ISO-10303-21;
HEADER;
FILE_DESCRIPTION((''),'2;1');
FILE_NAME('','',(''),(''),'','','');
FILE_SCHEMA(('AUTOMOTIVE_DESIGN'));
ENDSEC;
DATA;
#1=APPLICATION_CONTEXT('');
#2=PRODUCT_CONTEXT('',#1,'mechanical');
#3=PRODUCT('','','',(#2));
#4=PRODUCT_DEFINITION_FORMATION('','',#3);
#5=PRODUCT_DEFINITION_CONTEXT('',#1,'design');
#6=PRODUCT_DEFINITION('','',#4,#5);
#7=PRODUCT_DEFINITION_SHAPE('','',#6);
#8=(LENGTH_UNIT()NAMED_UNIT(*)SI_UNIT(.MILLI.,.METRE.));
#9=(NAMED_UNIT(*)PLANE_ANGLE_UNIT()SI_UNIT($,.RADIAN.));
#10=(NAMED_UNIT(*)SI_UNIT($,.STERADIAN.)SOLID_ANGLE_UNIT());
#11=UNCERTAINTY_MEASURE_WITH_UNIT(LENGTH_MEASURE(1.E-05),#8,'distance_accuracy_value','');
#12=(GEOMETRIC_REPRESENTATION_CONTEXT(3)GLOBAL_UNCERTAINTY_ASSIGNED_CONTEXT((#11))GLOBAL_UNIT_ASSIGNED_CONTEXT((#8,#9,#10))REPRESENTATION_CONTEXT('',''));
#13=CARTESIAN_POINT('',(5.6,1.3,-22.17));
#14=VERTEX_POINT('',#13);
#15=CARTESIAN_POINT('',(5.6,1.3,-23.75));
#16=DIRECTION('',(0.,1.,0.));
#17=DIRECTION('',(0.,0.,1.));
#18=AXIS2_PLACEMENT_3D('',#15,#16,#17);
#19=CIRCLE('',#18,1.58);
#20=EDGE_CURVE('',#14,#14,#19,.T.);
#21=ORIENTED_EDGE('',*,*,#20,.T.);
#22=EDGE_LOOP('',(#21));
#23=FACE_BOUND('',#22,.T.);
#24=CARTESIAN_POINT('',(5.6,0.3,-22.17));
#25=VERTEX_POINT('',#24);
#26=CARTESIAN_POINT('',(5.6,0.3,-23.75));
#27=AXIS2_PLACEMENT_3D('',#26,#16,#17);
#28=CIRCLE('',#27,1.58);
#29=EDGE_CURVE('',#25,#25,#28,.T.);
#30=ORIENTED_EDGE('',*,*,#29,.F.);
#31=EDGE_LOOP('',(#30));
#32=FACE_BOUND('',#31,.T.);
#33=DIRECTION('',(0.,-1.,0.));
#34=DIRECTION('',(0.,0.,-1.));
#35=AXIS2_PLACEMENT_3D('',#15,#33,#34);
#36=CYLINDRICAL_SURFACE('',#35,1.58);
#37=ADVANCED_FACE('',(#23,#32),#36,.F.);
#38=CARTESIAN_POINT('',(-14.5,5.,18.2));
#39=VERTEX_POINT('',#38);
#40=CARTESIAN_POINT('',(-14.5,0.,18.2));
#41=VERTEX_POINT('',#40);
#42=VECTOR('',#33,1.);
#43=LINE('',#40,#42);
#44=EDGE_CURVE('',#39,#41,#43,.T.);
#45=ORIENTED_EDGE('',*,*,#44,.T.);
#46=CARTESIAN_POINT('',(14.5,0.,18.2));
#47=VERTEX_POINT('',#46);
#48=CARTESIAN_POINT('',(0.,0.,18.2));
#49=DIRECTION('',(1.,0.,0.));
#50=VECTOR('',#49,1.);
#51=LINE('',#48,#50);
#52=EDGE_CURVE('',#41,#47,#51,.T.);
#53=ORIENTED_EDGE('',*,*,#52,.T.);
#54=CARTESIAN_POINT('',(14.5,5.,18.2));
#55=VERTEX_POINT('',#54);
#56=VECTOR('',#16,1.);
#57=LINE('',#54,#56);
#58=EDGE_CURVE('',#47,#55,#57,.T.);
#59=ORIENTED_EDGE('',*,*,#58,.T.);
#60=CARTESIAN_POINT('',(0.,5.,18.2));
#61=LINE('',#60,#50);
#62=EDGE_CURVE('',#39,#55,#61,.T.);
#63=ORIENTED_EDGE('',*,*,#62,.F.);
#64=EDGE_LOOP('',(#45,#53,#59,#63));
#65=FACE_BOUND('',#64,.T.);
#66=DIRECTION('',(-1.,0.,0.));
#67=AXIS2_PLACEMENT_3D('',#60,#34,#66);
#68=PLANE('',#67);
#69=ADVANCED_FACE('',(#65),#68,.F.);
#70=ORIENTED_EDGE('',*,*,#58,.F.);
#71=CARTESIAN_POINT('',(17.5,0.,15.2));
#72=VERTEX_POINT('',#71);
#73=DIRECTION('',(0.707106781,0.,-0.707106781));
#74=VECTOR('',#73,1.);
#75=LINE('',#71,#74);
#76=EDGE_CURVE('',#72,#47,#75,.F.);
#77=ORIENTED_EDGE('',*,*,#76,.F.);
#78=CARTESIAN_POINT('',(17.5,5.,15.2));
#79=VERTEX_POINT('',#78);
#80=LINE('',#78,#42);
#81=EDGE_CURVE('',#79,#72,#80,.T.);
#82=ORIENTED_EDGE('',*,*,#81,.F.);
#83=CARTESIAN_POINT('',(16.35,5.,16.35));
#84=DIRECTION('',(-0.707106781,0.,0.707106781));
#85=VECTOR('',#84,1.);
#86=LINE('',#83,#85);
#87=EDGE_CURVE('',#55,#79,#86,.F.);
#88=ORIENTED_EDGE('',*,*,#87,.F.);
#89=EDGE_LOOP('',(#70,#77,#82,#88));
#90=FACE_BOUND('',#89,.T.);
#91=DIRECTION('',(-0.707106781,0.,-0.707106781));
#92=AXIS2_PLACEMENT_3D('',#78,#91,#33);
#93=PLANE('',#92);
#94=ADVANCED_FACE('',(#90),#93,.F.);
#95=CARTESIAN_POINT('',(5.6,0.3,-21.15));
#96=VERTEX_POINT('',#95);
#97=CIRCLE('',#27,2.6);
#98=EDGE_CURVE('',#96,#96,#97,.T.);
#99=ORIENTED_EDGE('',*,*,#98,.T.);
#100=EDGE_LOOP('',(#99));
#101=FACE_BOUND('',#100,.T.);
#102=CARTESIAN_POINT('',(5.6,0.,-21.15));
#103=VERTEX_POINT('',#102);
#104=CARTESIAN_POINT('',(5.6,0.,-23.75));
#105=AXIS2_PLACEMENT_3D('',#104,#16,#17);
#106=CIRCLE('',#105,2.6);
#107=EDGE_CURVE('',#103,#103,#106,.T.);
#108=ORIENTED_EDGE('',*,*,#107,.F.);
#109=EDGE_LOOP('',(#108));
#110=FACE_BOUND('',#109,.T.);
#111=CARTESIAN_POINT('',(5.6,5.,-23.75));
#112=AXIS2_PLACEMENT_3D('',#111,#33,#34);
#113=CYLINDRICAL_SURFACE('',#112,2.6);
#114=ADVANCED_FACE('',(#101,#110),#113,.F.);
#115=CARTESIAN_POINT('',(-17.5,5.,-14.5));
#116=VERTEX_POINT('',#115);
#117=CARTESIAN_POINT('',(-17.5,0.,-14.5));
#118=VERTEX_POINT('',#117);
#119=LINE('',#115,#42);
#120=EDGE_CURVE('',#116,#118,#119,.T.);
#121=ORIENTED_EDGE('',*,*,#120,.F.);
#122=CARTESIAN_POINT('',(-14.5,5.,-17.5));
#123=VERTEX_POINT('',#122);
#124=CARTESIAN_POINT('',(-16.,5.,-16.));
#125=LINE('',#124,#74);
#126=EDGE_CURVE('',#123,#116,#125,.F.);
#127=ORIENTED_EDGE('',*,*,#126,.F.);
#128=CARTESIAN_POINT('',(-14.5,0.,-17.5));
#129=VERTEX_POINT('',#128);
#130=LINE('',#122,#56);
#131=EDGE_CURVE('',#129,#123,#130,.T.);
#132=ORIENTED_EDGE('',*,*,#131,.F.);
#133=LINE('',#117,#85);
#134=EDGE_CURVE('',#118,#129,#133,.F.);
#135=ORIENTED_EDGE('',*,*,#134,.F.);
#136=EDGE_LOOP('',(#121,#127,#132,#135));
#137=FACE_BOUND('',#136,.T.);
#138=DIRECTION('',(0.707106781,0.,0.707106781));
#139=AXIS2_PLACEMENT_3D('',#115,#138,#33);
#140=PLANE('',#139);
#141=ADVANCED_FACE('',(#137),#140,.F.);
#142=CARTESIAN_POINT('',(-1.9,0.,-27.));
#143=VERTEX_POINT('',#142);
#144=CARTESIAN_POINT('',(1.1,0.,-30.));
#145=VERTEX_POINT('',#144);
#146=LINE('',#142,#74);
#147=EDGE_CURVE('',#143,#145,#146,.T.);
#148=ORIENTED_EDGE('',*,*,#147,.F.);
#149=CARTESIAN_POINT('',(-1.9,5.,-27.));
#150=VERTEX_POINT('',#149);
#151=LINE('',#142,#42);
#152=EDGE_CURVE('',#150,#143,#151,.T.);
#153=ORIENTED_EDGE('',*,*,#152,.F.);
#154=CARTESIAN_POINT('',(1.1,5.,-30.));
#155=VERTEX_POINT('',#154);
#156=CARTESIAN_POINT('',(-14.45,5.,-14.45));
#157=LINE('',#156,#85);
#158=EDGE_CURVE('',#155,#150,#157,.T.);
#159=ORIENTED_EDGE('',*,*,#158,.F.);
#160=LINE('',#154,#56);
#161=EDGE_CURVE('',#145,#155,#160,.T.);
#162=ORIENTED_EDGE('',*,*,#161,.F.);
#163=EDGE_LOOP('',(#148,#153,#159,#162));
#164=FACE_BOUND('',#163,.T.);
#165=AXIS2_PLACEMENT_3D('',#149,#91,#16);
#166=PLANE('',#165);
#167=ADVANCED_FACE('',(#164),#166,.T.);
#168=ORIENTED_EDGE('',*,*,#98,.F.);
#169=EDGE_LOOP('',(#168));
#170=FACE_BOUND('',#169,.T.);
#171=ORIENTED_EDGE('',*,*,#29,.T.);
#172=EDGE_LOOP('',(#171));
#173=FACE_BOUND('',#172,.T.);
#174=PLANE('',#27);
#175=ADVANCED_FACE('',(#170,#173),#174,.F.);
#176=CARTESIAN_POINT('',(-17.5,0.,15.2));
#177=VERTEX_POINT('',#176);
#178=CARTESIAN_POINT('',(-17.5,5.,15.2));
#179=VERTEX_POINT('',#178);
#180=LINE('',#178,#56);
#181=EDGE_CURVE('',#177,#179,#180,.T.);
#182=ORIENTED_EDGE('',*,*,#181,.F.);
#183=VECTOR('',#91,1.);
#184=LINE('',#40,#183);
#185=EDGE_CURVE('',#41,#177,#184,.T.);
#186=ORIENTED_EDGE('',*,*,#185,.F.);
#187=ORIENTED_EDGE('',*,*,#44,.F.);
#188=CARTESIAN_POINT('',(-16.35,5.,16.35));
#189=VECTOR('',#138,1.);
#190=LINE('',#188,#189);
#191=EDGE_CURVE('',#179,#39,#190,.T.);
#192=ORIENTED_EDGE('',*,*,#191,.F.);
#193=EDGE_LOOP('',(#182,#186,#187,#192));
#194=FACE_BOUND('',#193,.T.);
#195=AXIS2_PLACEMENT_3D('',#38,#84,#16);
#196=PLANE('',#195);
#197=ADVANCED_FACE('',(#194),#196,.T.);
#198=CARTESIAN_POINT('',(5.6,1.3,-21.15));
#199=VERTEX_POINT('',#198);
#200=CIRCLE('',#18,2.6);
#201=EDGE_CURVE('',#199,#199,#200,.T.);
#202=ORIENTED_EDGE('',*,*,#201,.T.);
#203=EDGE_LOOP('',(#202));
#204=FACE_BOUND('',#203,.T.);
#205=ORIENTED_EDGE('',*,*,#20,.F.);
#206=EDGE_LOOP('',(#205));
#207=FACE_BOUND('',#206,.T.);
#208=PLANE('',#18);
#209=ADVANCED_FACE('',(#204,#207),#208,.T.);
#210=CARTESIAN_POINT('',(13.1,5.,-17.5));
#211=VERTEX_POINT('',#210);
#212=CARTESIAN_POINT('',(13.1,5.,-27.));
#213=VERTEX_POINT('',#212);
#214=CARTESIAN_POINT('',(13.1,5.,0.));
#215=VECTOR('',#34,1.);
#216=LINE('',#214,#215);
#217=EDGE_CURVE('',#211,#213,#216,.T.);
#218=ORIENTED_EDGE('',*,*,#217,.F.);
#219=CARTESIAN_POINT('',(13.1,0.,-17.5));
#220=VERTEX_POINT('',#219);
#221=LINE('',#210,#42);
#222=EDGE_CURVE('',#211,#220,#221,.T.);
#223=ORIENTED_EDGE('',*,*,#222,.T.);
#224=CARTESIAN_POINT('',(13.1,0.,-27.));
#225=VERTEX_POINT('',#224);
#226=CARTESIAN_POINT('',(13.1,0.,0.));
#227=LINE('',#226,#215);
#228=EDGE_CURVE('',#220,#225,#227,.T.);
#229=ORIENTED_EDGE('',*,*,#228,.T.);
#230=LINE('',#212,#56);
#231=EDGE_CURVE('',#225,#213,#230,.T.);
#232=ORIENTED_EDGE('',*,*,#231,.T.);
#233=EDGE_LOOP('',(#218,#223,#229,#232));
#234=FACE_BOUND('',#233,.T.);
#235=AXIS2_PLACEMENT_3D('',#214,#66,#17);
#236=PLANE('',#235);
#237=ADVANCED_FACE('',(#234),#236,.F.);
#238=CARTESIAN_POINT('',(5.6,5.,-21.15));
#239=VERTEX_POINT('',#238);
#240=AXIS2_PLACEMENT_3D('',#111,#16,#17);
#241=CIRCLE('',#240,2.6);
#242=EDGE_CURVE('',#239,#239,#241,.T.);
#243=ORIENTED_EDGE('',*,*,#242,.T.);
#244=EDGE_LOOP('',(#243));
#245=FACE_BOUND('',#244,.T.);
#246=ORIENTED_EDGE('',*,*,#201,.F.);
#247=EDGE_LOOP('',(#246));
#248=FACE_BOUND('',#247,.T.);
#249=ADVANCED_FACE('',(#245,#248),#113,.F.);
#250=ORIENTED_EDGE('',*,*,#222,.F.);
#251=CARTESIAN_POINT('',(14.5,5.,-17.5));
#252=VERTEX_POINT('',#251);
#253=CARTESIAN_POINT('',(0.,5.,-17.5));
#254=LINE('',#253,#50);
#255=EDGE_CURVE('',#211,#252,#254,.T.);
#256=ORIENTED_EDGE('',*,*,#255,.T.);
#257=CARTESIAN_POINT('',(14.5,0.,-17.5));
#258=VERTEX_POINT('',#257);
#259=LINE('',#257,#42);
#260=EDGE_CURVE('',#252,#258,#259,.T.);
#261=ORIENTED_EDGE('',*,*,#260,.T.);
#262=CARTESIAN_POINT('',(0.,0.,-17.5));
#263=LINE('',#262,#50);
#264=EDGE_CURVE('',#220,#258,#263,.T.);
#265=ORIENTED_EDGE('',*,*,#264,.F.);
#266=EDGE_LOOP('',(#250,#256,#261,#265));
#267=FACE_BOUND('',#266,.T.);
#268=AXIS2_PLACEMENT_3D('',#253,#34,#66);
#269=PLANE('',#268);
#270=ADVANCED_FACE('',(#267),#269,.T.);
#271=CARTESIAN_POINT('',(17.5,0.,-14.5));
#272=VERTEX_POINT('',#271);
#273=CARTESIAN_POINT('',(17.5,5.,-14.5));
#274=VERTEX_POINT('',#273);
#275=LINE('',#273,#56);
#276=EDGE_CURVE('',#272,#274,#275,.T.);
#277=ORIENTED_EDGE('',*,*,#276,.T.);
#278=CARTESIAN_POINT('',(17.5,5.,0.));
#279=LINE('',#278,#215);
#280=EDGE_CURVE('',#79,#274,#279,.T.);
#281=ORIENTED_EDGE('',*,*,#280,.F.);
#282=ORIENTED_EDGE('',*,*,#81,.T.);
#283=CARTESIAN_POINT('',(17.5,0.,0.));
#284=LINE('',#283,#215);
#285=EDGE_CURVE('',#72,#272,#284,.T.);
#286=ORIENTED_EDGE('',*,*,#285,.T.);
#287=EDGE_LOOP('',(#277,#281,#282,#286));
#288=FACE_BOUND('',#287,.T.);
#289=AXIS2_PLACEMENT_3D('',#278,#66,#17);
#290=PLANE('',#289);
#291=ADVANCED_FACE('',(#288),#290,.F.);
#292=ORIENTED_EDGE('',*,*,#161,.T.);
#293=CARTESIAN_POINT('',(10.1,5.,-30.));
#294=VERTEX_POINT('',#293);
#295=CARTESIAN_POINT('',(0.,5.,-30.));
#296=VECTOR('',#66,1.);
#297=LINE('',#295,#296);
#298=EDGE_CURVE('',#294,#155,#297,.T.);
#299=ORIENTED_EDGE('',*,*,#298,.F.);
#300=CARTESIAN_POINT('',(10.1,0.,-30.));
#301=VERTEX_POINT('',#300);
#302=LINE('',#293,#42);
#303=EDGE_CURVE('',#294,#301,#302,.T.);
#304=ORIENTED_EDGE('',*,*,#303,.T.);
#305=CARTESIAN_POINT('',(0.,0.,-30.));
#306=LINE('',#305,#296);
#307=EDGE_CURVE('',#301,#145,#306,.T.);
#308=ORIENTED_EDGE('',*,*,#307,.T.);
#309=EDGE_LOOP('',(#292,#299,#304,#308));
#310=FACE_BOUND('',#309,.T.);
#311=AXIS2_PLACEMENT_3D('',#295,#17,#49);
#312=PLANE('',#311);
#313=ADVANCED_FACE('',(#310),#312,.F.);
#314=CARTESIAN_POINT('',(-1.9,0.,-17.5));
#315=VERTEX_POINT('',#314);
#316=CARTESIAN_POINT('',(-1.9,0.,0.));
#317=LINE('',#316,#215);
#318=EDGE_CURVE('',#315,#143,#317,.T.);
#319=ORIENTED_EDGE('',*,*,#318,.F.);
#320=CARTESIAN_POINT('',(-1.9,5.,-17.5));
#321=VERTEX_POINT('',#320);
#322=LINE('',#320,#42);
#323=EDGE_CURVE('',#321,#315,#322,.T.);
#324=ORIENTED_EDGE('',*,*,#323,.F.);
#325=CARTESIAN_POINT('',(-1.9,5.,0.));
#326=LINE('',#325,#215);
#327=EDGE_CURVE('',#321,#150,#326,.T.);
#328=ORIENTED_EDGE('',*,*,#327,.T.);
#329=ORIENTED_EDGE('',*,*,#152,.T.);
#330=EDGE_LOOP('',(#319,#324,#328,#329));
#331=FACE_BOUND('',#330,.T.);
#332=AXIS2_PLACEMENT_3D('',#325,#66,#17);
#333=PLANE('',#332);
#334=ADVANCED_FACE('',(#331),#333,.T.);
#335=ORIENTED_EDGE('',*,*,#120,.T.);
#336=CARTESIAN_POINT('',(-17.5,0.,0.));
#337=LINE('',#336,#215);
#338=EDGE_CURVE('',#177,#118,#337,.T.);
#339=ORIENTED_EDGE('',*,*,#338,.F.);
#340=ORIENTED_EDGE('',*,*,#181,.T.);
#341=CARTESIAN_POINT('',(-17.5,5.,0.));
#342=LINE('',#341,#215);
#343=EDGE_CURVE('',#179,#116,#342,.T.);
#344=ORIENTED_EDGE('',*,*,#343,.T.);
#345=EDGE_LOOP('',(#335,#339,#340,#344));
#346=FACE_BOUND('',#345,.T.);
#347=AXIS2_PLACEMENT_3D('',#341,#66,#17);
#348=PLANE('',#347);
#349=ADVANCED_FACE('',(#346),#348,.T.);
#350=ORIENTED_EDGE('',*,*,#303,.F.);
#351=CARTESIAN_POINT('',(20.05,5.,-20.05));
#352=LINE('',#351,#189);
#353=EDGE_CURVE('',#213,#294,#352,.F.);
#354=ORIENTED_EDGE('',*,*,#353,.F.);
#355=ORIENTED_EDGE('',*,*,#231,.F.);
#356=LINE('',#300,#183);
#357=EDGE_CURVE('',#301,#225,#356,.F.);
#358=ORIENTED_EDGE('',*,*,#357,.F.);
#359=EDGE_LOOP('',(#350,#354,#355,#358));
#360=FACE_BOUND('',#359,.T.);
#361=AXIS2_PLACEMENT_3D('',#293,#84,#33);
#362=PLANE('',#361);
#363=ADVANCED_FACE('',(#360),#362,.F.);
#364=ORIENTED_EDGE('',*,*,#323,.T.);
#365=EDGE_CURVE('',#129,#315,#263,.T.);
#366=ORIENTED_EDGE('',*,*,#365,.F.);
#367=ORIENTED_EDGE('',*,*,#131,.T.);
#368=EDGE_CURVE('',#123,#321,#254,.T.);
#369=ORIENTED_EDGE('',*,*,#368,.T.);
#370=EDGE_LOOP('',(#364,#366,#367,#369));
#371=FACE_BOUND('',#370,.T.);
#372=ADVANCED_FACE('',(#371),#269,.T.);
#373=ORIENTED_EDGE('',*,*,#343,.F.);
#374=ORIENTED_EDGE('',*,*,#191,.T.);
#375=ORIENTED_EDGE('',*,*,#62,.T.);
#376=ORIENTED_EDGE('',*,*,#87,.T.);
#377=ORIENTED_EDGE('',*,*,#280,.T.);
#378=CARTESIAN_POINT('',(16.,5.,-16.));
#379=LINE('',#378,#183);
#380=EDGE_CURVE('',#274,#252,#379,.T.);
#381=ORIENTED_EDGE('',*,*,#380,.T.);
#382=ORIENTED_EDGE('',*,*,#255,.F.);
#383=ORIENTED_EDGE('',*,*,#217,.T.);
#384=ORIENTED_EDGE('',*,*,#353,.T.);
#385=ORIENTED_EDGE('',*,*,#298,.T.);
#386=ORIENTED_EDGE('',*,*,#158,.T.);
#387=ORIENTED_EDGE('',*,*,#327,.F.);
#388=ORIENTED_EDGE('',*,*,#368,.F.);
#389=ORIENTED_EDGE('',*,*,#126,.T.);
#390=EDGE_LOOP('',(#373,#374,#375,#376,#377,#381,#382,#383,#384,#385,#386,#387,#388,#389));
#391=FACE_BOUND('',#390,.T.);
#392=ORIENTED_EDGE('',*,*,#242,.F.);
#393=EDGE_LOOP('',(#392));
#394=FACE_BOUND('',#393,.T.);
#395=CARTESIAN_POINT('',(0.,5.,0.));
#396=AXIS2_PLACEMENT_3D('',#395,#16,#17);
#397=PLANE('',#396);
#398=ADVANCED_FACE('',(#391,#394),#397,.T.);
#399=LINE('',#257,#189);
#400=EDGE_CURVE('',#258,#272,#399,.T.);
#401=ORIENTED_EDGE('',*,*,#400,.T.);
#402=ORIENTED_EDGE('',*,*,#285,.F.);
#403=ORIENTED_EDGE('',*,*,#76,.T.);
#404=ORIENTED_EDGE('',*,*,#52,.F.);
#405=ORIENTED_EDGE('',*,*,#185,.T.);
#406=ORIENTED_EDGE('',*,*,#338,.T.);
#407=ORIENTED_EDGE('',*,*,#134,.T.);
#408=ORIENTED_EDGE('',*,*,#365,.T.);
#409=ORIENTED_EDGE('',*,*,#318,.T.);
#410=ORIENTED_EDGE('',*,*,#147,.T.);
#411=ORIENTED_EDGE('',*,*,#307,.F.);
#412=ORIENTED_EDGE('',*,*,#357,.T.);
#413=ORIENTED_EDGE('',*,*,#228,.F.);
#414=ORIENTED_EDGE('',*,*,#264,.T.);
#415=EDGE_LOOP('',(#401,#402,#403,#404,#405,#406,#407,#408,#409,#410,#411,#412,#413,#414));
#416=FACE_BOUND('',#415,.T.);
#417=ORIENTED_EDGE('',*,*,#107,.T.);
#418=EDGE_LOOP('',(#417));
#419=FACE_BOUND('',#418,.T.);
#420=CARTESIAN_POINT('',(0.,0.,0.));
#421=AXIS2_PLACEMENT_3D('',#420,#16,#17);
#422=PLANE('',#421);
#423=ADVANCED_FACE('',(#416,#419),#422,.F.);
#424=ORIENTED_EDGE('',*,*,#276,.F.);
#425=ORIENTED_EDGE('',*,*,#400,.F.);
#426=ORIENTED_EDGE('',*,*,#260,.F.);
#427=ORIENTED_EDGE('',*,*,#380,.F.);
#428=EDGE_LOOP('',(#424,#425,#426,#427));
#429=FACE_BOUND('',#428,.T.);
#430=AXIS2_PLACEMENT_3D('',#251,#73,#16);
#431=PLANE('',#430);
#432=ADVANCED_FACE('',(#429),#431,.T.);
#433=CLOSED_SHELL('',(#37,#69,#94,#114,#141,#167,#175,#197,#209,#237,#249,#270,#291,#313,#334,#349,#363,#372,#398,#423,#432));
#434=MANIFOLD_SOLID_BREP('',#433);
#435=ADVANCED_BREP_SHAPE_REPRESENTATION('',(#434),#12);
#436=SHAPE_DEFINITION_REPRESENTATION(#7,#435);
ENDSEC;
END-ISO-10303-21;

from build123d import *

# Parameters (mm, degrees)
SKETCH1_W           = 35
SKETCH1_H           = 0.7
SKETCH1_H_2         = 35
BOSS_EXTRUDE1_DEPTH = 5
CHAMFER1_SIZE       = 3
SKETCH4_R           = 2.6
SKETCH4_R_2         = 1.58
BOSS_EXTRUDE2_DEPTH = 1


with BuildPart() as part:
    # Sketch1 → Boss-Extrude1 (new body)
    with BuildSketch(Plane(origin=(0, 0, 0), x_dir=(1, 0, 0), z_dir=(0, 1, 0))):
        with BuildLine():
            Line((7.5, 17.5), (13.1, 17.5))
            Line((13.1, 17.5), (13.1, 30))
            Line((13.1, 30), (7.5, 30))
            Line((7.5, 30), (7.5, 25.524823935))
            ThreePointArc((7.5, 25.524823935), (8.018677324, 24.703939201), (8.2, 23.75))
            ThreePointArc((8.2, 23.75), (8.018677324, 22.796060799), (7.5, 21.975176065))
            Line((7.5, 21.975176065), (7.5, 17.5))
        make_face()
        with BuildLine():
            Line((-1.9, 30), (-1.9, 17.5))
            Line((-1.9, 17.5), (7.5, 17.5))
            Line((7.5, 17.5), (7.5, 21.975176065))
            ThreePointArc((7.5, 21.975176065), (3, 23.75), (7.5, 25.524823935))
            Line((7.5, 25.524823935), (7.5, 30))
            Line((7.5, 30), (-1.9, 30))
        make_face()
        with Locations((0, -17.85)):
            Rectangle(SKETCH1_W, SKETCH1_H)
        Rectangle(SKETCH1_W, SKETCH1_H_2)
    extrude(amount=BOSS_EXTRUDE1_DEPTH)

    # Chamfer1
    chamfer1_edges = [part.edges().sort_by_distance(p)[0] for p in [
        (-1.9, 2.5, -30),
        (13.1, 2.5, -30),
        (17.5, 2.5, -17.5),
        (17.5, 2.5, 18.2),
        (-17.5, 2.5, 18.2),
        (-17.5, 2.5, -17.5),
    ]]
    chamfer(chamfer1_edges, length=CHAMFER1_SIZE)

    # Sketch4 → Boss-Extrude2 (add)
    with BuildSketch(Plane(origin=(0, 0.3, 0), x_dir=(1, 0, 0), z_dir=(0, 1, 0))):
        with Locations((5.6, 23.75)):
            Circle(SKETCH4_R)
        with Locations((5.6, 23.75)):
            Circle(SKETCH4_R_2, mode=Mode.SUBTRACT)
    extrude(amount=BOSS_EXTRUDE2_DEPTH)


solid = part.part
